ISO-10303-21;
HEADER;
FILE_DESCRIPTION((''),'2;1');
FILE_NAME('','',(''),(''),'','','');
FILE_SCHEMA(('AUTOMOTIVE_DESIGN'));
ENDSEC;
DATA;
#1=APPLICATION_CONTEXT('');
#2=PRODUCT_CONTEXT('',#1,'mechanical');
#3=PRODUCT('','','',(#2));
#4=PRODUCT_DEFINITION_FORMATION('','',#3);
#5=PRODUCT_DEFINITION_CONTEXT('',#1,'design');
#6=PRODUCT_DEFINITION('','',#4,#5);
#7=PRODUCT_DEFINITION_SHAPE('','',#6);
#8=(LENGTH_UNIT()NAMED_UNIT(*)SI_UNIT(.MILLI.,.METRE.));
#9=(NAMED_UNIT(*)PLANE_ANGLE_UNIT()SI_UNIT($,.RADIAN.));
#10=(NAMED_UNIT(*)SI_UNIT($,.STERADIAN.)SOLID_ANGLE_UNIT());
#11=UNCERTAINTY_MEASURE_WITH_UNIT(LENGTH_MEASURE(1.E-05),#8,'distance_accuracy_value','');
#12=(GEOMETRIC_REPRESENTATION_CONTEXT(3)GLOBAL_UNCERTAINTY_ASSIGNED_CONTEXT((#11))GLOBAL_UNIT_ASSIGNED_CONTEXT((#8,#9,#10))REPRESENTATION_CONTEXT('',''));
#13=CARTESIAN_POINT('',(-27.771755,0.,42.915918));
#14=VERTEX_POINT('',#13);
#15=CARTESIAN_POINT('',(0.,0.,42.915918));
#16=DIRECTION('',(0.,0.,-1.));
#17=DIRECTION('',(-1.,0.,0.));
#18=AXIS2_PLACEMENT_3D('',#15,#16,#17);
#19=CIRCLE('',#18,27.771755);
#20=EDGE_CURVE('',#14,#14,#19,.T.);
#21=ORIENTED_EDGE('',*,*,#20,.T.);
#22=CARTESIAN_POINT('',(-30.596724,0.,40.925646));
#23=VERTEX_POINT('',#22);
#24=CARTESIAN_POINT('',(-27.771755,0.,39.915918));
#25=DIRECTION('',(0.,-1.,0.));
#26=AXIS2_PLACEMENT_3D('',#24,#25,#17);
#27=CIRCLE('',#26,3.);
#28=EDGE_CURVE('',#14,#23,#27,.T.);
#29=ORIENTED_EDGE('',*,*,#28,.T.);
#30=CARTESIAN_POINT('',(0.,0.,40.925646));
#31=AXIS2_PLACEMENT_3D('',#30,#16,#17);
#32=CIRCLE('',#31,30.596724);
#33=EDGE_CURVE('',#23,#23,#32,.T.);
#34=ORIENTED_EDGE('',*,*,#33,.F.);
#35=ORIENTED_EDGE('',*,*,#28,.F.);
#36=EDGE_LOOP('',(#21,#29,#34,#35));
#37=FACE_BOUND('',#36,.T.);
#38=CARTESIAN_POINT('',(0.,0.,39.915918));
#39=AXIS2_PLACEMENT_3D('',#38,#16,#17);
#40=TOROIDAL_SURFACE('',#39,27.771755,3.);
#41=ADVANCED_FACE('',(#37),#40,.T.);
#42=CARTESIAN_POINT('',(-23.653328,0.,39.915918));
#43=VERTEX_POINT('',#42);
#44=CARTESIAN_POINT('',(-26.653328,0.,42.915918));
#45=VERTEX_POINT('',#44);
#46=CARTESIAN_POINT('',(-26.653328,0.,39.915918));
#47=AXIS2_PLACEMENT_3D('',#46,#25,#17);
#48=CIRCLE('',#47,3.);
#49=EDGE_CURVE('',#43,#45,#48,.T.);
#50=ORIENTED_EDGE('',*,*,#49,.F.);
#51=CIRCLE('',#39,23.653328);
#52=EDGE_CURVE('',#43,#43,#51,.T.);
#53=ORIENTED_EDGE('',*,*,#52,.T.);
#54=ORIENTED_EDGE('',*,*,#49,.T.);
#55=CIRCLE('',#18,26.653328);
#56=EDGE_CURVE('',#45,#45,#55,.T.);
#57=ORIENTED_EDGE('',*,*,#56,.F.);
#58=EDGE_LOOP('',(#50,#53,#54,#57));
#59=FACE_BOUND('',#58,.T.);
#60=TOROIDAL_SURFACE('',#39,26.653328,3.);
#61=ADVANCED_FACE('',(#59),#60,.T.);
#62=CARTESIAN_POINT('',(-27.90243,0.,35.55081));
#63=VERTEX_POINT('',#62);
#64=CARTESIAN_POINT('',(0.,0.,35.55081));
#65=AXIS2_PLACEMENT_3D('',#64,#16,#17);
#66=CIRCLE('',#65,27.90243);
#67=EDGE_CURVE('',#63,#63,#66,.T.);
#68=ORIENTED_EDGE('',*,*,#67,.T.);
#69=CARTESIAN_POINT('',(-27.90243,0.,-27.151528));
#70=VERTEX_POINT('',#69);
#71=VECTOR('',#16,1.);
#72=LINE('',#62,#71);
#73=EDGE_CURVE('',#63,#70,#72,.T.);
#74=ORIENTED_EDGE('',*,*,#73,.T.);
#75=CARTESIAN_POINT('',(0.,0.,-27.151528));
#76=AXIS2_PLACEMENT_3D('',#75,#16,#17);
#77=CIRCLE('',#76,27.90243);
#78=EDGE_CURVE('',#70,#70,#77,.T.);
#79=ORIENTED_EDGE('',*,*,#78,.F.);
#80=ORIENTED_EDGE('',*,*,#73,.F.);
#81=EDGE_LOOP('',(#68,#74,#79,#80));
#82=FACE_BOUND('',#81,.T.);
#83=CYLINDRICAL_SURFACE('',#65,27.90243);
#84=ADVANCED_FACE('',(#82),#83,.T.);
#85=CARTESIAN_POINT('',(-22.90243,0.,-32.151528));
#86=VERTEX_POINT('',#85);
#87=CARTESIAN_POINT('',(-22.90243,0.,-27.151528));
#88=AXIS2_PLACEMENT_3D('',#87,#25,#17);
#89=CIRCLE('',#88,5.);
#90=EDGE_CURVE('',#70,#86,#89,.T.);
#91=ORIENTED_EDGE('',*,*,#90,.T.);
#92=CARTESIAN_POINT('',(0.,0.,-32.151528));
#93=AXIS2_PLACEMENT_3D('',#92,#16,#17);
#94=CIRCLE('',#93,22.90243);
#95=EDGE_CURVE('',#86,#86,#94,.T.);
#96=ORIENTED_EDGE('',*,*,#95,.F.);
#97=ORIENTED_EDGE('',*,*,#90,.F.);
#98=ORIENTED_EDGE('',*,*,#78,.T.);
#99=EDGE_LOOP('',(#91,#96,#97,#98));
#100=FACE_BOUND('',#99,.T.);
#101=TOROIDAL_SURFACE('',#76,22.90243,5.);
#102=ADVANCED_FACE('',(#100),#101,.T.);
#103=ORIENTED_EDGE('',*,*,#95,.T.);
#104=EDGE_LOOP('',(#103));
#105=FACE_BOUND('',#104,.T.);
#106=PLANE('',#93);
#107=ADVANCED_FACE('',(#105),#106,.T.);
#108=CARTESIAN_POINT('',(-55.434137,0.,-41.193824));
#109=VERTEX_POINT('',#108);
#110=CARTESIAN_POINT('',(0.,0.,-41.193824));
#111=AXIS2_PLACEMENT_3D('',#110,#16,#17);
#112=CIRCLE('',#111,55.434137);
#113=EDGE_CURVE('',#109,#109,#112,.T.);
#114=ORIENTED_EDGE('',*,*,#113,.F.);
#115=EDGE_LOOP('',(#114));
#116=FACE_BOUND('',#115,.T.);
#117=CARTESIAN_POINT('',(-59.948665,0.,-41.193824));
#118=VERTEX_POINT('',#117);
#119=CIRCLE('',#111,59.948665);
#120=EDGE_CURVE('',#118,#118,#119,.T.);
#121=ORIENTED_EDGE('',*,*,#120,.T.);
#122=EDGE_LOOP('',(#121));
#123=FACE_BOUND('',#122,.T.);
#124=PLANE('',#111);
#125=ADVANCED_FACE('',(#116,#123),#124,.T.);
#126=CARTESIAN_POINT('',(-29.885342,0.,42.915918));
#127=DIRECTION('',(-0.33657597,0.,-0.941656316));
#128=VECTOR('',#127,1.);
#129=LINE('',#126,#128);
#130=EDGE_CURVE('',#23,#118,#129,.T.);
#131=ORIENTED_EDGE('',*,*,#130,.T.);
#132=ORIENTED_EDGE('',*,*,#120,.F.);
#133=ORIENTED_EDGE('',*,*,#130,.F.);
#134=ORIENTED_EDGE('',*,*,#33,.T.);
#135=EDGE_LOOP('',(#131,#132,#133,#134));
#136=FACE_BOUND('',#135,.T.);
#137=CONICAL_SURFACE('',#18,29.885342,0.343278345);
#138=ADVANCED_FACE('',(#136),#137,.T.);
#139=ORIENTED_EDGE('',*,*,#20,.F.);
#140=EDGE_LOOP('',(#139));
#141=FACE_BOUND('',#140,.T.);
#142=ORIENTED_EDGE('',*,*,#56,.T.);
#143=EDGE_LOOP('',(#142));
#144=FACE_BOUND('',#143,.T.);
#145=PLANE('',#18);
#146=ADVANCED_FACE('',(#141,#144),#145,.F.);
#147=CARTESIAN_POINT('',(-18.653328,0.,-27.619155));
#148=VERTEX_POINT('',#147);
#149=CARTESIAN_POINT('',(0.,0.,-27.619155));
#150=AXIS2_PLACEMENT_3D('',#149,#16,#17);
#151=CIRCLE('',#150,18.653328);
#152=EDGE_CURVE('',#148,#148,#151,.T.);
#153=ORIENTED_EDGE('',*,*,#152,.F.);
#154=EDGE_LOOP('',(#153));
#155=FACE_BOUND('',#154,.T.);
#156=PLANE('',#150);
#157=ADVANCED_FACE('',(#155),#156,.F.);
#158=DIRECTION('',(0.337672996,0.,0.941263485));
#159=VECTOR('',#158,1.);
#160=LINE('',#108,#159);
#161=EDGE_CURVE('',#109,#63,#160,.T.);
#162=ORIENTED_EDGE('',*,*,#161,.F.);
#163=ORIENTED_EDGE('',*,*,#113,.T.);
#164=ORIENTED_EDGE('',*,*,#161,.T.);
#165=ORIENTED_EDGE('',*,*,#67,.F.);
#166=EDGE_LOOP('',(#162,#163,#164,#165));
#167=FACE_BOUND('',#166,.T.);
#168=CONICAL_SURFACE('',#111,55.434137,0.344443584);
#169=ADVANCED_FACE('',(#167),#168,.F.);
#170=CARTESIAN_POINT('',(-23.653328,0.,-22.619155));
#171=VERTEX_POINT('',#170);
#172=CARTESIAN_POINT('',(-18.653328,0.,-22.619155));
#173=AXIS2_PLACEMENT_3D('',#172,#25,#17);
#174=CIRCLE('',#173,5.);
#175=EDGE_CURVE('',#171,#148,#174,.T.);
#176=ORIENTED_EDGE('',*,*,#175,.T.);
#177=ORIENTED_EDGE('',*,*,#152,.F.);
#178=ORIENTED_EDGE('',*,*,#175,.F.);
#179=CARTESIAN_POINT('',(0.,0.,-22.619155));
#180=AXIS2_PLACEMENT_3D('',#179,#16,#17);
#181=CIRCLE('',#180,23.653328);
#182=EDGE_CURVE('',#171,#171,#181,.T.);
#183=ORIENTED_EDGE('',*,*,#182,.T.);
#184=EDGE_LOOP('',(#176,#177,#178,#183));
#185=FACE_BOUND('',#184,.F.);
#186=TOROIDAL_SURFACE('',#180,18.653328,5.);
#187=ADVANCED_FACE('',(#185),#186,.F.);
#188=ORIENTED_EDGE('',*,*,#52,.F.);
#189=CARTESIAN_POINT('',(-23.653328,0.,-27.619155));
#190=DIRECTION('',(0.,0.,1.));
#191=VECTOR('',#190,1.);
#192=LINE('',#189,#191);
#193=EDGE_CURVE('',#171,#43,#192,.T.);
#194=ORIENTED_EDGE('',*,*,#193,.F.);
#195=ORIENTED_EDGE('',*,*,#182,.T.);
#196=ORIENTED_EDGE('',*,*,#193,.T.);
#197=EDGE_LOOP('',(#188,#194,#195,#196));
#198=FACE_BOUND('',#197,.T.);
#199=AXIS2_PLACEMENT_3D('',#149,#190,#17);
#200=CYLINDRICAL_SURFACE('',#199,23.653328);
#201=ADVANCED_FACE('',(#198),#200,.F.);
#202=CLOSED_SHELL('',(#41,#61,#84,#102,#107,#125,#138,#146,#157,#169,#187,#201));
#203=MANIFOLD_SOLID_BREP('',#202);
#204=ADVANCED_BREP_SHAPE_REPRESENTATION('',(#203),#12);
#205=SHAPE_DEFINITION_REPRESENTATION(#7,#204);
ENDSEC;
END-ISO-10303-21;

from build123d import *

# Parameters (mm, degrees)
F2_R = 3
F3_R = 5
F4_R = 5


with BuildPart() as f1:
    # F0 (on Front) → F1 (revolve)
    with BuildSketch(Plane.XZ):
        Polygon((0, -32.151528), (0, -27.619155), (-23.653328, -27.619155), (-23.653328, 42.915918), (-29.885342, 42.915918), (-59.948665, -41.193824), (-55.434137, -41.193824), (-27.90243, 35.55081), (-27.90243, -32.151528), (-23.370055, -32.151528), align=None)
    revolve(axis=Axis((0, 0, -29.885341), (0, 0, -1)))

    # F2
    f2_edges = [f1.edges().sort_by_distance(p)[0] for p in [
        (29.885342, 0, 42.915918),
        (23.653328, 0, 42.915918),
    ]]
    fillet(f2_edges, radius=F2_R)

    # F3
    f3_edges = [f1.edges().sort_by_distance(p)[0] for p in [
        (23.653328, 0, -27.619155),
    ]]
    fillet(f3_edges, radius=F3_R)

    # F4
    f4_edges = [f1.edges().sort_by_distance(p)[0] for p in [
        (27.90243, 0, -32.151528),
    ]]
    fillet(f4_edges, radius=F4_R)


solid = f1.part
